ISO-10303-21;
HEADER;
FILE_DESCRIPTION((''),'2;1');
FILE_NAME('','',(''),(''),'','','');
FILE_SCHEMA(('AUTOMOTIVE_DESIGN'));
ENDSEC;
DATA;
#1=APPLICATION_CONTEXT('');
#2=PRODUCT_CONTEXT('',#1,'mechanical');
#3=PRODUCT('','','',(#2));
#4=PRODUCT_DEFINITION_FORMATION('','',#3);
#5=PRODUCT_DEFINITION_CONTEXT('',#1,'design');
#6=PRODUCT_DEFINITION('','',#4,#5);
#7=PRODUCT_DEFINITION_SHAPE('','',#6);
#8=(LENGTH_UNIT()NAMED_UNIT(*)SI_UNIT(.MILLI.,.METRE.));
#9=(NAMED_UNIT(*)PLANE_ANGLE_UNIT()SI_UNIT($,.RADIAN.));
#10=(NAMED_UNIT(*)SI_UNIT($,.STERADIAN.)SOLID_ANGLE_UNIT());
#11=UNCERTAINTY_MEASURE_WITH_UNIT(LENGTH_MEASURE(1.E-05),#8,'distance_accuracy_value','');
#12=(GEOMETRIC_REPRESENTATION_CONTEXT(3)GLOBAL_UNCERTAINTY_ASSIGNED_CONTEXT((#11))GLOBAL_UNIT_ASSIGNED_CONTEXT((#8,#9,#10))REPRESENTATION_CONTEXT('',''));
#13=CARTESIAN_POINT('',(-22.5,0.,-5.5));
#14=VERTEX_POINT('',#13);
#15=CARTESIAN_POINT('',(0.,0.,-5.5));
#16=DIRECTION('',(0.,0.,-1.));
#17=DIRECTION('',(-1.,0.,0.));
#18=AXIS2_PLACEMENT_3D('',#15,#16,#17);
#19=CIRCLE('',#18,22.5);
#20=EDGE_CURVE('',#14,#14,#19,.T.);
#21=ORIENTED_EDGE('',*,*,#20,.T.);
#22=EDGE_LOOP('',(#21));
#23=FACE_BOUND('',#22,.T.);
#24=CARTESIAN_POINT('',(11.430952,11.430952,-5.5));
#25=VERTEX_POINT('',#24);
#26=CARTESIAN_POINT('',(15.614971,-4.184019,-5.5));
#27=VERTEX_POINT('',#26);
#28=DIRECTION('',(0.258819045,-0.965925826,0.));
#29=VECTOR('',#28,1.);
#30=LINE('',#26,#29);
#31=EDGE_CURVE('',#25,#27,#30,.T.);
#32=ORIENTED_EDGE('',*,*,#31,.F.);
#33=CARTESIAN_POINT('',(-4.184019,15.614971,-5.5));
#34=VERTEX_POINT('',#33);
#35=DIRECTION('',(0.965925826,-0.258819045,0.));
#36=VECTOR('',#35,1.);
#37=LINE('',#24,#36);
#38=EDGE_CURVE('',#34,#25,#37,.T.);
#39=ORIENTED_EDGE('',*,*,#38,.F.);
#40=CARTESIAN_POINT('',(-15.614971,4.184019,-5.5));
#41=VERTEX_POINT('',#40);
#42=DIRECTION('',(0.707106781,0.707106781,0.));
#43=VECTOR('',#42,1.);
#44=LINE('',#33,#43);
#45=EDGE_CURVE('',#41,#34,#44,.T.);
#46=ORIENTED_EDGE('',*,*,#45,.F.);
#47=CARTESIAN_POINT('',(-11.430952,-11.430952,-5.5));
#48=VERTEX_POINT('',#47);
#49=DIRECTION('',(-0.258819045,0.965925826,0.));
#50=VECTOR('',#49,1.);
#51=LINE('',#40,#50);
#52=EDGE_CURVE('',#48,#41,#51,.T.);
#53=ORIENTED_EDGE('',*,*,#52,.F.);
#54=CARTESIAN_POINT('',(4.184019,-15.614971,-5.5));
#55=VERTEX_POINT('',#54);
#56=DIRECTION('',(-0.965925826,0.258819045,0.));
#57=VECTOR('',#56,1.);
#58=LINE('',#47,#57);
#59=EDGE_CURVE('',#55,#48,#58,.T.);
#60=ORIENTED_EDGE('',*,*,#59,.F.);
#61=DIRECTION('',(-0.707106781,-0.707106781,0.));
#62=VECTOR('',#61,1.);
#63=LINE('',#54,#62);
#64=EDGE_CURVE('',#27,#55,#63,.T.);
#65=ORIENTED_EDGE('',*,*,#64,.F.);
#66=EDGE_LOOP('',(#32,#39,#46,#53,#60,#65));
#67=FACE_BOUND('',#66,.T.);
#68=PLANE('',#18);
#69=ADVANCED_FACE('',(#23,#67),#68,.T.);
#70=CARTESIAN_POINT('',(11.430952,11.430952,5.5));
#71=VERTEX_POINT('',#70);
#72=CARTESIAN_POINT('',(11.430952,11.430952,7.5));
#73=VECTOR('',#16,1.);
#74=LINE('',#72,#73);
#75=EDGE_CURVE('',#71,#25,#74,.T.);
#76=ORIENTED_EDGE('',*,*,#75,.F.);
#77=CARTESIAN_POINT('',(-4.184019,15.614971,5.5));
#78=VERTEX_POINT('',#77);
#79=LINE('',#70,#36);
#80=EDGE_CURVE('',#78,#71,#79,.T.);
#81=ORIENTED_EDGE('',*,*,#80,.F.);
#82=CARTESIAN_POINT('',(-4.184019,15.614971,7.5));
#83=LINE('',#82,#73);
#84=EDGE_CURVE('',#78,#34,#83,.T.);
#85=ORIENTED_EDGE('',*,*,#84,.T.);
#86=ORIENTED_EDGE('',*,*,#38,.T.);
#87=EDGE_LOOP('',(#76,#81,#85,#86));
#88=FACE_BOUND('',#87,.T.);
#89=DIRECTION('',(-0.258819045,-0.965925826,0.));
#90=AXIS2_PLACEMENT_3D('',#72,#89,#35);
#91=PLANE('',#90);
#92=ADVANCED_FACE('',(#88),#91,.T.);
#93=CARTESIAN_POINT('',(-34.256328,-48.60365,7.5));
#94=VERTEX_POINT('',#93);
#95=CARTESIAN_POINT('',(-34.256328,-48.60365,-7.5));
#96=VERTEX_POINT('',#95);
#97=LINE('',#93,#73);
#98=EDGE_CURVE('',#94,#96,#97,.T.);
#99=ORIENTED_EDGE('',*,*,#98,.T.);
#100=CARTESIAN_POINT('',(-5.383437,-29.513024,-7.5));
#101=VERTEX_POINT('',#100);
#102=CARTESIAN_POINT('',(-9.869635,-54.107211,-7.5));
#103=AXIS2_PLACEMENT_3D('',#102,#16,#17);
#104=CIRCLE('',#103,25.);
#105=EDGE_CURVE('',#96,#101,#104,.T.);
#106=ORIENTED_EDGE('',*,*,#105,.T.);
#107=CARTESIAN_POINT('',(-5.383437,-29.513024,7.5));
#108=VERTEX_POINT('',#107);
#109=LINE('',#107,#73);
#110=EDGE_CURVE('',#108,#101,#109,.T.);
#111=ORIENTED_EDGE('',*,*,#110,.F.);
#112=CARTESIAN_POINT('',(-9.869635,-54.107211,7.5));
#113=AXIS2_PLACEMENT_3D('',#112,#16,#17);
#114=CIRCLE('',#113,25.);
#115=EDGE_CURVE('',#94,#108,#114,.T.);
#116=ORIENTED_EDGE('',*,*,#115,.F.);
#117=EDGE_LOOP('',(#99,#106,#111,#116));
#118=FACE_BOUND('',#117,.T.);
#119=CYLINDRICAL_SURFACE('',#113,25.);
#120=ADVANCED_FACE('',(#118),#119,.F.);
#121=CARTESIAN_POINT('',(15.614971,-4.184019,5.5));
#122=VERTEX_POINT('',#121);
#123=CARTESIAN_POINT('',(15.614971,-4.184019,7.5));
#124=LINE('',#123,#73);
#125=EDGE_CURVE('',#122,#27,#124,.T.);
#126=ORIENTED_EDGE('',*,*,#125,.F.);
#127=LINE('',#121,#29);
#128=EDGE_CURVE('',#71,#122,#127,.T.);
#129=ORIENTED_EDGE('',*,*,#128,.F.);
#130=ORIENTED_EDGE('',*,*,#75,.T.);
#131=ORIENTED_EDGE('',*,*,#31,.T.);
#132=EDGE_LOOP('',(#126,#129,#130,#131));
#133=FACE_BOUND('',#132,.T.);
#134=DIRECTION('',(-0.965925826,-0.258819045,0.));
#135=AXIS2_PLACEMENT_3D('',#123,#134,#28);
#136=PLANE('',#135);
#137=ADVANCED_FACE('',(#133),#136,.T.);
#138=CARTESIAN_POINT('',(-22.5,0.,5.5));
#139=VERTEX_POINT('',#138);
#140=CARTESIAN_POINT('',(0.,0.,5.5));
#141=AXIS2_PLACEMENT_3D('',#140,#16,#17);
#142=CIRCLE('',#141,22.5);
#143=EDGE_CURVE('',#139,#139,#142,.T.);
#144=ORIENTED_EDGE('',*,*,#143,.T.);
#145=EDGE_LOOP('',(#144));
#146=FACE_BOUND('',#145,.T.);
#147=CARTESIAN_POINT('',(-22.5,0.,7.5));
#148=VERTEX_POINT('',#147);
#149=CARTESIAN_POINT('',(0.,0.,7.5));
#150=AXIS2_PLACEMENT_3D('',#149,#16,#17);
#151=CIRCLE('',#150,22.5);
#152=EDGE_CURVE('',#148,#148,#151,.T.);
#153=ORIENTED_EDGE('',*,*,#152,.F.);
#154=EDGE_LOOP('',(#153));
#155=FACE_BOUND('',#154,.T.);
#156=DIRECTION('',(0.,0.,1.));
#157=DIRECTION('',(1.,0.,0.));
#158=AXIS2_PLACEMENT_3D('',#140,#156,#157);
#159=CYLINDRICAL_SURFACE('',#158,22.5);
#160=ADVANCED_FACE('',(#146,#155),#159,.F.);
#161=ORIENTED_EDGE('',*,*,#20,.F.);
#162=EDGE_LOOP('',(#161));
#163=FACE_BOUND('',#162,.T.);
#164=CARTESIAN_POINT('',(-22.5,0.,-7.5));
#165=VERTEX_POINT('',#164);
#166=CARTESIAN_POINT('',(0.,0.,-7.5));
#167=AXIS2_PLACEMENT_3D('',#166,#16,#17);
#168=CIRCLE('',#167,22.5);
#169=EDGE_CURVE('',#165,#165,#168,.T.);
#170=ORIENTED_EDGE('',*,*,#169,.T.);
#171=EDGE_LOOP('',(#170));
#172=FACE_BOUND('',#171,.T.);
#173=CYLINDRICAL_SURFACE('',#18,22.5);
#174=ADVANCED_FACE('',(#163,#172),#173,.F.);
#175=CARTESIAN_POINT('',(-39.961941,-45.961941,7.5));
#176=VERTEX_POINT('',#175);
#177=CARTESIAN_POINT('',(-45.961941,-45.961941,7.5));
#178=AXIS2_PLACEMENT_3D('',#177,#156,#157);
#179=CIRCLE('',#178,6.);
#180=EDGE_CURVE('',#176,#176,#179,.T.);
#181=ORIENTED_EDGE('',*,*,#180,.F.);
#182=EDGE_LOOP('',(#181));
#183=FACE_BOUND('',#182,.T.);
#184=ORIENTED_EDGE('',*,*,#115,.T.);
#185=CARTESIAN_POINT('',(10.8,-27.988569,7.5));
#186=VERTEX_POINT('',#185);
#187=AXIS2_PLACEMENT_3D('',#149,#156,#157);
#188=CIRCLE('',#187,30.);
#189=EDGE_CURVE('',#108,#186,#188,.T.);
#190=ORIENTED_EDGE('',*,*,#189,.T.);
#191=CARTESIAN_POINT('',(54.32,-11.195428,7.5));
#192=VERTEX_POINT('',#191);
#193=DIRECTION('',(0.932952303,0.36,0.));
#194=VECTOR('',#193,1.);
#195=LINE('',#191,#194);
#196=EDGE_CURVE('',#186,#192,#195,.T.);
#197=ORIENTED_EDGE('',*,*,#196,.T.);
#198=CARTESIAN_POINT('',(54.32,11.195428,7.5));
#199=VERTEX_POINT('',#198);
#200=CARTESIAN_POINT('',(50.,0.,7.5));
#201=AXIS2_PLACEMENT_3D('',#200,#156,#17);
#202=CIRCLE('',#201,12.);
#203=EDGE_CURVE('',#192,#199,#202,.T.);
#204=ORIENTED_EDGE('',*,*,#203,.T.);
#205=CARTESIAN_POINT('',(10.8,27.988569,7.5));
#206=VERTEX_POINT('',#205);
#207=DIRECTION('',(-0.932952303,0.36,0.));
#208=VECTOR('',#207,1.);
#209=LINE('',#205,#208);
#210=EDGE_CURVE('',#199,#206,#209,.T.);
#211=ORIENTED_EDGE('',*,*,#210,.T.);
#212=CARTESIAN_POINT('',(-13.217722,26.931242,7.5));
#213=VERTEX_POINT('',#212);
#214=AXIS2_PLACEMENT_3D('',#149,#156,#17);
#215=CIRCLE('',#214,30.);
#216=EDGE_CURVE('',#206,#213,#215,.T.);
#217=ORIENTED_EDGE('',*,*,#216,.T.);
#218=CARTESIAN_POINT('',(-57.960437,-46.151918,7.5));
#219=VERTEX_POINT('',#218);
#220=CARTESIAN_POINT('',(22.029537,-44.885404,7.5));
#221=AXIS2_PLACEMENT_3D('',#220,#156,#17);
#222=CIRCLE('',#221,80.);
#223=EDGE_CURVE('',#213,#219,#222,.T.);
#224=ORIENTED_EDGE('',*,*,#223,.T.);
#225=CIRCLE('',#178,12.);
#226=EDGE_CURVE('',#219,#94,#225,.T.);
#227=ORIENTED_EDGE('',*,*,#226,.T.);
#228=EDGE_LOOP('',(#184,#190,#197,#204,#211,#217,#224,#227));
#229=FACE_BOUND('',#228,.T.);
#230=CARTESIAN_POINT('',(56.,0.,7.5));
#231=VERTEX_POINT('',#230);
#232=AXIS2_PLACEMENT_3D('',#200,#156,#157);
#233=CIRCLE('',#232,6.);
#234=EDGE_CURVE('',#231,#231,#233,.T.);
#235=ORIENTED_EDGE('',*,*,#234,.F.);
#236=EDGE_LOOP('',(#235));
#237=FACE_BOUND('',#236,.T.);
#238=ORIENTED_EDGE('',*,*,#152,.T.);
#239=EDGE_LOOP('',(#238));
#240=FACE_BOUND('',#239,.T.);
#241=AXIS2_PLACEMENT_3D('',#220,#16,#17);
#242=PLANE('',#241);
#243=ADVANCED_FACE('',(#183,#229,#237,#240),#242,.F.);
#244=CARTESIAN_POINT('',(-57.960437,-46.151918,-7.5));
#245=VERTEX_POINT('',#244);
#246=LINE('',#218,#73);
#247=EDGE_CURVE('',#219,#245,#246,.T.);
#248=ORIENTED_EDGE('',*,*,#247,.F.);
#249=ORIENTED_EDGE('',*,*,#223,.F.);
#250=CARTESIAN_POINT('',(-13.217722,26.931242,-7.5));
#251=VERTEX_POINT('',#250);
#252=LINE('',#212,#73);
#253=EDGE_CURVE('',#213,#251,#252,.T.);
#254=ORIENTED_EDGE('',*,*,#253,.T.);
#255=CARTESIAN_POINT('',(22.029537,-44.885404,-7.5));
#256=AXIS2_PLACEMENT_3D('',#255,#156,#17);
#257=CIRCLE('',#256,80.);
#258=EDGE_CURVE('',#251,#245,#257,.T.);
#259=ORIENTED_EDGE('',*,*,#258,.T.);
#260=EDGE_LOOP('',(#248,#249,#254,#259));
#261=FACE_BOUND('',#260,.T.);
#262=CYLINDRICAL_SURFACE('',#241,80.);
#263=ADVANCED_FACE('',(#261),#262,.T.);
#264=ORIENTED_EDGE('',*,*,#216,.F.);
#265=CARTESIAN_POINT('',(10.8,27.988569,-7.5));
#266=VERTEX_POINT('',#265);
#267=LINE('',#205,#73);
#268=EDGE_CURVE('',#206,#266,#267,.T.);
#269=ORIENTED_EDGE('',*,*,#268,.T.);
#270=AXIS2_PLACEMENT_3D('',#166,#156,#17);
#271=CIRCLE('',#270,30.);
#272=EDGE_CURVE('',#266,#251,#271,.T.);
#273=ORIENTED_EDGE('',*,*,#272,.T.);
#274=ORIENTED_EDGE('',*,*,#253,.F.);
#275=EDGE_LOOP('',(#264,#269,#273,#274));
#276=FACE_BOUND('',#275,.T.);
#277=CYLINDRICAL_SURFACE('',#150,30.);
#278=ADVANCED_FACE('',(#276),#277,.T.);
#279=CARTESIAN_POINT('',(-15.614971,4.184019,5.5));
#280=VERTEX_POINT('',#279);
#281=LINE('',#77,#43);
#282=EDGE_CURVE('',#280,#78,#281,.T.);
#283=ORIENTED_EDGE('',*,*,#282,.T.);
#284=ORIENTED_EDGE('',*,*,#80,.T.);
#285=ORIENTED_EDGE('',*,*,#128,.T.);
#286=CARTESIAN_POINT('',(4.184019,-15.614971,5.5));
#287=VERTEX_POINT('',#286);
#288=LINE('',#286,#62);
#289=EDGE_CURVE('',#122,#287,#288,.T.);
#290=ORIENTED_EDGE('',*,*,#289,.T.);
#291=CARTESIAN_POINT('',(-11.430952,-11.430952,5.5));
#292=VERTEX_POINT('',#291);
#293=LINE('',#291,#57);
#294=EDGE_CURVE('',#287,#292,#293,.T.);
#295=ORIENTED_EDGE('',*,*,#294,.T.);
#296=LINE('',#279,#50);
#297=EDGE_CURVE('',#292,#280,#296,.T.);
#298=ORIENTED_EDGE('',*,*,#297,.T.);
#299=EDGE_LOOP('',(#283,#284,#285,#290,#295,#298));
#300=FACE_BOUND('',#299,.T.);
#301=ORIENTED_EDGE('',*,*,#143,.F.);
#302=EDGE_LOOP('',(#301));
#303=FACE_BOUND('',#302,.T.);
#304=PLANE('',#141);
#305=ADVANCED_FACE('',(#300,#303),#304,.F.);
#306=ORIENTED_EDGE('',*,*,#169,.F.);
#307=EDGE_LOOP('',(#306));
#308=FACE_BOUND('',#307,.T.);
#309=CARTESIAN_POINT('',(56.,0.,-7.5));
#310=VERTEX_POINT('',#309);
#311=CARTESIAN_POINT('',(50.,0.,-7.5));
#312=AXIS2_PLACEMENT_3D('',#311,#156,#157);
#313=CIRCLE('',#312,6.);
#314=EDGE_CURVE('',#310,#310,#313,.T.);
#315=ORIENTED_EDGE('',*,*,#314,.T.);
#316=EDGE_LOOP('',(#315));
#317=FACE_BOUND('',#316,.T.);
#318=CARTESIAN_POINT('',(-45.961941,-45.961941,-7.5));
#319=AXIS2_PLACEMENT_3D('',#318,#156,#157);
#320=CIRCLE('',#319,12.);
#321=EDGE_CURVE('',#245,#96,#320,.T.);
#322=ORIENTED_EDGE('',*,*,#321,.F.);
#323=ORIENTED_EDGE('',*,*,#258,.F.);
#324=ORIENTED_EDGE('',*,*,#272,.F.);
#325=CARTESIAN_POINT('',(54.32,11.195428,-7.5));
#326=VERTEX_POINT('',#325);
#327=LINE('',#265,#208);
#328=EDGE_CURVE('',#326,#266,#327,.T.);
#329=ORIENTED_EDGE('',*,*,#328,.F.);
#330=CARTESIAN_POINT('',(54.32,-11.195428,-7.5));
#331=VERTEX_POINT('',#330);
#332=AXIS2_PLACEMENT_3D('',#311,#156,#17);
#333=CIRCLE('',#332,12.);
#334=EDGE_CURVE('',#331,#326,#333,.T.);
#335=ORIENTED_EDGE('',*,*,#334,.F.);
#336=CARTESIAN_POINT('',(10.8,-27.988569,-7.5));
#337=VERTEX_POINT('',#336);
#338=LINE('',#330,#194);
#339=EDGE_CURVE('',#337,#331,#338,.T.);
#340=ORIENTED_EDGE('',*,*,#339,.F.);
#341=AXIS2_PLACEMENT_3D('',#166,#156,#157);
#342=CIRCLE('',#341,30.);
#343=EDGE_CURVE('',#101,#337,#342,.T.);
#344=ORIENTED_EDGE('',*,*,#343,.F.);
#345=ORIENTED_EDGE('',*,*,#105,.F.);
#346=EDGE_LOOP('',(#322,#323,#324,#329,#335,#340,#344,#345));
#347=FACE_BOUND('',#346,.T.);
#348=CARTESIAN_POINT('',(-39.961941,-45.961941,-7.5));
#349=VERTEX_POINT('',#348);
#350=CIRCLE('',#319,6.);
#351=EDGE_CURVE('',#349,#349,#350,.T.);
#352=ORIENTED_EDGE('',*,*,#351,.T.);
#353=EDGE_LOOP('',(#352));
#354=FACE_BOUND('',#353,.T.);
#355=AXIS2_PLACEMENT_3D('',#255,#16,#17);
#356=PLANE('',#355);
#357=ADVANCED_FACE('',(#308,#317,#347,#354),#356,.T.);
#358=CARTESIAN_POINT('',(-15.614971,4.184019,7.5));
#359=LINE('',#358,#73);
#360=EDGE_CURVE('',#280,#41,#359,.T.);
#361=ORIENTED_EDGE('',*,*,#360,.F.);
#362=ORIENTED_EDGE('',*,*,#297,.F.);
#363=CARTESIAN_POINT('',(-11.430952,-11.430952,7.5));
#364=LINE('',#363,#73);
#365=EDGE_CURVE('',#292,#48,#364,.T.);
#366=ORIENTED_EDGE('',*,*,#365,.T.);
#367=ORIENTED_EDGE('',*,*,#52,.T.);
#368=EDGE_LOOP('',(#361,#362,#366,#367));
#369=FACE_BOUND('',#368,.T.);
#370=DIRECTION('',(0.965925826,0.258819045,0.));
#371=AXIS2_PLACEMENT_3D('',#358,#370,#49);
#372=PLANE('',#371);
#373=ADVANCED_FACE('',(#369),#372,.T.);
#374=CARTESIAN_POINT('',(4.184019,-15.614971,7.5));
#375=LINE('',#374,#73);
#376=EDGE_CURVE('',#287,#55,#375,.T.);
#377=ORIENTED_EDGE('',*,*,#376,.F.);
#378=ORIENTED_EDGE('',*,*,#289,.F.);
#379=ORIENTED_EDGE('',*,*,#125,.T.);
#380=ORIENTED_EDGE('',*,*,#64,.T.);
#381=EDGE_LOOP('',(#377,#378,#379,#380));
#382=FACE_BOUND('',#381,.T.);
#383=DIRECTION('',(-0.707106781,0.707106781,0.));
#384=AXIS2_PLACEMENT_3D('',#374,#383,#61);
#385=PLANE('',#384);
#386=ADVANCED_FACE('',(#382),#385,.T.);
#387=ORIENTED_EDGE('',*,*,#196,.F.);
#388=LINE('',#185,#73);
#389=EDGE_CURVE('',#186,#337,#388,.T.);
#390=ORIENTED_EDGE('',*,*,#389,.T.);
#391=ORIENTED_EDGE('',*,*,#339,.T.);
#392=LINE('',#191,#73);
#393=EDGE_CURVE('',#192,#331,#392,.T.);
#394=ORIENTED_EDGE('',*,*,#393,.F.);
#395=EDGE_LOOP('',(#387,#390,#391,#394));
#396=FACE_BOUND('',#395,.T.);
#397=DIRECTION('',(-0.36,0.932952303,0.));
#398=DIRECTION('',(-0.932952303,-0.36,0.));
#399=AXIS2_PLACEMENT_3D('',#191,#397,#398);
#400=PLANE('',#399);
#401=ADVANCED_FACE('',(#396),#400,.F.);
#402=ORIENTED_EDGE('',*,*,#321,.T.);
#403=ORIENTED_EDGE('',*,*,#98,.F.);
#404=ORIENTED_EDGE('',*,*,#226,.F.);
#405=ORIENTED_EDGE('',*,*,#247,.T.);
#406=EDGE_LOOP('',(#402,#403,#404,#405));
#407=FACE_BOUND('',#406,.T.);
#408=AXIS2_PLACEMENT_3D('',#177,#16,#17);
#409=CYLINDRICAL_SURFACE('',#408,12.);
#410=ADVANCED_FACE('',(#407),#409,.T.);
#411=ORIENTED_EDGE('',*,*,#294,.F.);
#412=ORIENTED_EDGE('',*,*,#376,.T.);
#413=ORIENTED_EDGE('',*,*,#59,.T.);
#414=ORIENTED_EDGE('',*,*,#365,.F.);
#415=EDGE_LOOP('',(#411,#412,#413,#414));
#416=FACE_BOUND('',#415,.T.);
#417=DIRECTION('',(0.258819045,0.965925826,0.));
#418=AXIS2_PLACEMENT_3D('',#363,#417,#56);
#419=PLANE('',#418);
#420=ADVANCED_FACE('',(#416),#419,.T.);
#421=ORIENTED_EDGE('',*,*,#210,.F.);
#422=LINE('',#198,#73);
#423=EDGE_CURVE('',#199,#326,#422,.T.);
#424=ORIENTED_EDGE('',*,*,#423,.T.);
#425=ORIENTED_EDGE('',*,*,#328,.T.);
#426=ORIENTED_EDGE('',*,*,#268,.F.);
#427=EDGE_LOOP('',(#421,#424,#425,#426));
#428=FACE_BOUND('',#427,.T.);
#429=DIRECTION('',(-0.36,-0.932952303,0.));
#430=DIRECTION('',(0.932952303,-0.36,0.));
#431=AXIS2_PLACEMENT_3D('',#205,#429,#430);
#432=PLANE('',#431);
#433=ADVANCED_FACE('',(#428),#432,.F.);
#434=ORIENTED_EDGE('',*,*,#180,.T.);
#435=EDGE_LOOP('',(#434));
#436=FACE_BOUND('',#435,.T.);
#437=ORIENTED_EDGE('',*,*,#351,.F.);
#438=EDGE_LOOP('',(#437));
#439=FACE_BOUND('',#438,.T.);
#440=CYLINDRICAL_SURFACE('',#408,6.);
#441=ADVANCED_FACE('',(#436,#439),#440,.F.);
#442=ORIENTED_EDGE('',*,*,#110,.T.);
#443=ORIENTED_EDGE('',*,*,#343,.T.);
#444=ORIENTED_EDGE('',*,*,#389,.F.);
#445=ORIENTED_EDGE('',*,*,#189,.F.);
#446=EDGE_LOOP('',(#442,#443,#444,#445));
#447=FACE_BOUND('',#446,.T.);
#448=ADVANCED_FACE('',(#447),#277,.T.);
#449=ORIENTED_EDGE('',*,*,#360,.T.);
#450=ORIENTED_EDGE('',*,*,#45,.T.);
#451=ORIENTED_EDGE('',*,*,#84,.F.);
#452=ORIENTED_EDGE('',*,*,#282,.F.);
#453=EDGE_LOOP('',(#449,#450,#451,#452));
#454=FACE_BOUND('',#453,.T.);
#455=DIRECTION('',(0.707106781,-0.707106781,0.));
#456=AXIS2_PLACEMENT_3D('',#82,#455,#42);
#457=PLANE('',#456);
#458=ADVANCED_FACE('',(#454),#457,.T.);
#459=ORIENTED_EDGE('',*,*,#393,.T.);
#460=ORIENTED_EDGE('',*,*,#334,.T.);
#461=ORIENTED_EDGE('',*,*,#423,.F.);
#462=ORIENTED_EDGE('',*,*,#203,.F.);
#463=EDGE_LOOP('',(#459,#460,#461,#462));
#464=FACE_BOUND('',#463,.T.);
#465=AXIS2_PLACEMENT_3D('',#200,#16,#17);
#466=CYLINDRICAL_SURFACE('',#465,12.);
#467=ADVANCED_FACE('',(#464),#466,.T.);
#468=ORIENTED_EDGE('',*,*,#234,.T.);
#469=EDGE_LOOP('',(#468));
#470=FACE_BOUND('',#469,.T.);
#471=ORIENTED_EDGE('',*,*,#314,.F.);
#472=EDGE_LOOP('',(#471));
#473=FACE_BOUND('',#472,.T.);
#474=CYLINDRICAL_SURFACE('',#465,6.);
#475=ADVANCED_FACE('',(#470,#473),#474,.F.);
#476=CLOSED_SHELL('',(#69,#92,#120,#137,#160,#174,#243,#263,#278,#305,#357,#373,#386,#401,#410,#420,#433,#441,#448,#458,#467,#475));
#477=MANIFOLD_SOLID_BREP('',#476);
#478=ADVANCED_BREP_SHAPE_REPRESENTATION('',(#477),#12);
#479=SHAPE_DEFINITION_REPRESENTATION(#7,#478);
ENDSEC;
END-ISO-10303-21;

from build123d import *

# Parameters (mm, degrees)
SKETCH_1_R          = 6
EXTRUDE_2_DEPTH     = 7.5
CUT_EXTRUDE_START   = -7.5
SKETCH_4_R          = 22.5
CUT_EXTRUDE_4_DEPTH = 2
CUT_EXTRUDE_START_2 = 7.5
SKETCH_4_2_R        = 22.5
CUT_EXTRUDE_5_DEPTH = 2


with BuildPart() as part:
    # 草圖1 → 填料-伸長2 (new body, symmetric)
    with BuildSketch(Plane.XY):
        with BuildLine():
            Line((10.8, 27.988569095), (54.32, 11.195427638))
            ThreePointArc((54.32, 11.195427638), (62, 0), (54.32, -11.195427638))
            Line((54.32, -11.195427638), (10.8, -27.988569095))
            ThreePointArc((10.8, -27.988569095), (2.81349952, -29.867778968), (-5.383437031, -29.513024341))
            ThreePointArc((-5.383437031, -29.513024341), (-23.658051153, -33.253445018), (-34.256327949, -48.603650133))
            ThreePointArc((-34.256327949, -48.603650133), (-47.196522871, -57.898263789), (-57.960436879, -46.151917853))
            ThreePointArc((-57.960436879, -46.151917853), (-46.199430838, -3.114505899), (-13.217722281, 26.931242409))
            ThreePointArc((-13.217722281, 26.931242409), (-1.31940524, 29.97097212), (10.8, 27.988569095))
        make_face()
        with Locations((50, 0)):
            Circle(SKETCH_1_R, mode=Mode.SUBTRACT)
        with Locations((-45.961940777, -45.961940777)):
            Circle(SKETCH_1_R, mode=Mode.SUBTRACT)
        Polygon((15.614971003, -4.18401887), (11.430952133, 11.430952133), (-4.18401887, 15.614971003), (-15.614971003, 4.18401887), (-11.430952133, -11.430952133), (4.18401887, -15.614971003), align=None, mode=Mode.SUBTRACT)
    extrude(amount=EXTRUDE_2_DEPTH, both=True)

    # 草圖4 → 除料-伸長4 (cut)
    with BuildSketch(Plane.XY.offset(CUT_EXTRUDE_START)):
        Circle(SKETCH_4_R)
    extrude(amount=CUT_EXTRUDE_4_DEPTH, mode=Mode.SUBTRACT)

    # 草圖4<2> → 除料-伸長5 (cut)
    with BuildSketch(Plane.XY.offset(CUT_EXTRUDE_START_2)):
        Circle(SKETCH_4_2_R)
    extrude(amount=-CUT_EXTRUDE_5_DEPTH, mode=Mode.SUBTRACT)


solid = part.part
